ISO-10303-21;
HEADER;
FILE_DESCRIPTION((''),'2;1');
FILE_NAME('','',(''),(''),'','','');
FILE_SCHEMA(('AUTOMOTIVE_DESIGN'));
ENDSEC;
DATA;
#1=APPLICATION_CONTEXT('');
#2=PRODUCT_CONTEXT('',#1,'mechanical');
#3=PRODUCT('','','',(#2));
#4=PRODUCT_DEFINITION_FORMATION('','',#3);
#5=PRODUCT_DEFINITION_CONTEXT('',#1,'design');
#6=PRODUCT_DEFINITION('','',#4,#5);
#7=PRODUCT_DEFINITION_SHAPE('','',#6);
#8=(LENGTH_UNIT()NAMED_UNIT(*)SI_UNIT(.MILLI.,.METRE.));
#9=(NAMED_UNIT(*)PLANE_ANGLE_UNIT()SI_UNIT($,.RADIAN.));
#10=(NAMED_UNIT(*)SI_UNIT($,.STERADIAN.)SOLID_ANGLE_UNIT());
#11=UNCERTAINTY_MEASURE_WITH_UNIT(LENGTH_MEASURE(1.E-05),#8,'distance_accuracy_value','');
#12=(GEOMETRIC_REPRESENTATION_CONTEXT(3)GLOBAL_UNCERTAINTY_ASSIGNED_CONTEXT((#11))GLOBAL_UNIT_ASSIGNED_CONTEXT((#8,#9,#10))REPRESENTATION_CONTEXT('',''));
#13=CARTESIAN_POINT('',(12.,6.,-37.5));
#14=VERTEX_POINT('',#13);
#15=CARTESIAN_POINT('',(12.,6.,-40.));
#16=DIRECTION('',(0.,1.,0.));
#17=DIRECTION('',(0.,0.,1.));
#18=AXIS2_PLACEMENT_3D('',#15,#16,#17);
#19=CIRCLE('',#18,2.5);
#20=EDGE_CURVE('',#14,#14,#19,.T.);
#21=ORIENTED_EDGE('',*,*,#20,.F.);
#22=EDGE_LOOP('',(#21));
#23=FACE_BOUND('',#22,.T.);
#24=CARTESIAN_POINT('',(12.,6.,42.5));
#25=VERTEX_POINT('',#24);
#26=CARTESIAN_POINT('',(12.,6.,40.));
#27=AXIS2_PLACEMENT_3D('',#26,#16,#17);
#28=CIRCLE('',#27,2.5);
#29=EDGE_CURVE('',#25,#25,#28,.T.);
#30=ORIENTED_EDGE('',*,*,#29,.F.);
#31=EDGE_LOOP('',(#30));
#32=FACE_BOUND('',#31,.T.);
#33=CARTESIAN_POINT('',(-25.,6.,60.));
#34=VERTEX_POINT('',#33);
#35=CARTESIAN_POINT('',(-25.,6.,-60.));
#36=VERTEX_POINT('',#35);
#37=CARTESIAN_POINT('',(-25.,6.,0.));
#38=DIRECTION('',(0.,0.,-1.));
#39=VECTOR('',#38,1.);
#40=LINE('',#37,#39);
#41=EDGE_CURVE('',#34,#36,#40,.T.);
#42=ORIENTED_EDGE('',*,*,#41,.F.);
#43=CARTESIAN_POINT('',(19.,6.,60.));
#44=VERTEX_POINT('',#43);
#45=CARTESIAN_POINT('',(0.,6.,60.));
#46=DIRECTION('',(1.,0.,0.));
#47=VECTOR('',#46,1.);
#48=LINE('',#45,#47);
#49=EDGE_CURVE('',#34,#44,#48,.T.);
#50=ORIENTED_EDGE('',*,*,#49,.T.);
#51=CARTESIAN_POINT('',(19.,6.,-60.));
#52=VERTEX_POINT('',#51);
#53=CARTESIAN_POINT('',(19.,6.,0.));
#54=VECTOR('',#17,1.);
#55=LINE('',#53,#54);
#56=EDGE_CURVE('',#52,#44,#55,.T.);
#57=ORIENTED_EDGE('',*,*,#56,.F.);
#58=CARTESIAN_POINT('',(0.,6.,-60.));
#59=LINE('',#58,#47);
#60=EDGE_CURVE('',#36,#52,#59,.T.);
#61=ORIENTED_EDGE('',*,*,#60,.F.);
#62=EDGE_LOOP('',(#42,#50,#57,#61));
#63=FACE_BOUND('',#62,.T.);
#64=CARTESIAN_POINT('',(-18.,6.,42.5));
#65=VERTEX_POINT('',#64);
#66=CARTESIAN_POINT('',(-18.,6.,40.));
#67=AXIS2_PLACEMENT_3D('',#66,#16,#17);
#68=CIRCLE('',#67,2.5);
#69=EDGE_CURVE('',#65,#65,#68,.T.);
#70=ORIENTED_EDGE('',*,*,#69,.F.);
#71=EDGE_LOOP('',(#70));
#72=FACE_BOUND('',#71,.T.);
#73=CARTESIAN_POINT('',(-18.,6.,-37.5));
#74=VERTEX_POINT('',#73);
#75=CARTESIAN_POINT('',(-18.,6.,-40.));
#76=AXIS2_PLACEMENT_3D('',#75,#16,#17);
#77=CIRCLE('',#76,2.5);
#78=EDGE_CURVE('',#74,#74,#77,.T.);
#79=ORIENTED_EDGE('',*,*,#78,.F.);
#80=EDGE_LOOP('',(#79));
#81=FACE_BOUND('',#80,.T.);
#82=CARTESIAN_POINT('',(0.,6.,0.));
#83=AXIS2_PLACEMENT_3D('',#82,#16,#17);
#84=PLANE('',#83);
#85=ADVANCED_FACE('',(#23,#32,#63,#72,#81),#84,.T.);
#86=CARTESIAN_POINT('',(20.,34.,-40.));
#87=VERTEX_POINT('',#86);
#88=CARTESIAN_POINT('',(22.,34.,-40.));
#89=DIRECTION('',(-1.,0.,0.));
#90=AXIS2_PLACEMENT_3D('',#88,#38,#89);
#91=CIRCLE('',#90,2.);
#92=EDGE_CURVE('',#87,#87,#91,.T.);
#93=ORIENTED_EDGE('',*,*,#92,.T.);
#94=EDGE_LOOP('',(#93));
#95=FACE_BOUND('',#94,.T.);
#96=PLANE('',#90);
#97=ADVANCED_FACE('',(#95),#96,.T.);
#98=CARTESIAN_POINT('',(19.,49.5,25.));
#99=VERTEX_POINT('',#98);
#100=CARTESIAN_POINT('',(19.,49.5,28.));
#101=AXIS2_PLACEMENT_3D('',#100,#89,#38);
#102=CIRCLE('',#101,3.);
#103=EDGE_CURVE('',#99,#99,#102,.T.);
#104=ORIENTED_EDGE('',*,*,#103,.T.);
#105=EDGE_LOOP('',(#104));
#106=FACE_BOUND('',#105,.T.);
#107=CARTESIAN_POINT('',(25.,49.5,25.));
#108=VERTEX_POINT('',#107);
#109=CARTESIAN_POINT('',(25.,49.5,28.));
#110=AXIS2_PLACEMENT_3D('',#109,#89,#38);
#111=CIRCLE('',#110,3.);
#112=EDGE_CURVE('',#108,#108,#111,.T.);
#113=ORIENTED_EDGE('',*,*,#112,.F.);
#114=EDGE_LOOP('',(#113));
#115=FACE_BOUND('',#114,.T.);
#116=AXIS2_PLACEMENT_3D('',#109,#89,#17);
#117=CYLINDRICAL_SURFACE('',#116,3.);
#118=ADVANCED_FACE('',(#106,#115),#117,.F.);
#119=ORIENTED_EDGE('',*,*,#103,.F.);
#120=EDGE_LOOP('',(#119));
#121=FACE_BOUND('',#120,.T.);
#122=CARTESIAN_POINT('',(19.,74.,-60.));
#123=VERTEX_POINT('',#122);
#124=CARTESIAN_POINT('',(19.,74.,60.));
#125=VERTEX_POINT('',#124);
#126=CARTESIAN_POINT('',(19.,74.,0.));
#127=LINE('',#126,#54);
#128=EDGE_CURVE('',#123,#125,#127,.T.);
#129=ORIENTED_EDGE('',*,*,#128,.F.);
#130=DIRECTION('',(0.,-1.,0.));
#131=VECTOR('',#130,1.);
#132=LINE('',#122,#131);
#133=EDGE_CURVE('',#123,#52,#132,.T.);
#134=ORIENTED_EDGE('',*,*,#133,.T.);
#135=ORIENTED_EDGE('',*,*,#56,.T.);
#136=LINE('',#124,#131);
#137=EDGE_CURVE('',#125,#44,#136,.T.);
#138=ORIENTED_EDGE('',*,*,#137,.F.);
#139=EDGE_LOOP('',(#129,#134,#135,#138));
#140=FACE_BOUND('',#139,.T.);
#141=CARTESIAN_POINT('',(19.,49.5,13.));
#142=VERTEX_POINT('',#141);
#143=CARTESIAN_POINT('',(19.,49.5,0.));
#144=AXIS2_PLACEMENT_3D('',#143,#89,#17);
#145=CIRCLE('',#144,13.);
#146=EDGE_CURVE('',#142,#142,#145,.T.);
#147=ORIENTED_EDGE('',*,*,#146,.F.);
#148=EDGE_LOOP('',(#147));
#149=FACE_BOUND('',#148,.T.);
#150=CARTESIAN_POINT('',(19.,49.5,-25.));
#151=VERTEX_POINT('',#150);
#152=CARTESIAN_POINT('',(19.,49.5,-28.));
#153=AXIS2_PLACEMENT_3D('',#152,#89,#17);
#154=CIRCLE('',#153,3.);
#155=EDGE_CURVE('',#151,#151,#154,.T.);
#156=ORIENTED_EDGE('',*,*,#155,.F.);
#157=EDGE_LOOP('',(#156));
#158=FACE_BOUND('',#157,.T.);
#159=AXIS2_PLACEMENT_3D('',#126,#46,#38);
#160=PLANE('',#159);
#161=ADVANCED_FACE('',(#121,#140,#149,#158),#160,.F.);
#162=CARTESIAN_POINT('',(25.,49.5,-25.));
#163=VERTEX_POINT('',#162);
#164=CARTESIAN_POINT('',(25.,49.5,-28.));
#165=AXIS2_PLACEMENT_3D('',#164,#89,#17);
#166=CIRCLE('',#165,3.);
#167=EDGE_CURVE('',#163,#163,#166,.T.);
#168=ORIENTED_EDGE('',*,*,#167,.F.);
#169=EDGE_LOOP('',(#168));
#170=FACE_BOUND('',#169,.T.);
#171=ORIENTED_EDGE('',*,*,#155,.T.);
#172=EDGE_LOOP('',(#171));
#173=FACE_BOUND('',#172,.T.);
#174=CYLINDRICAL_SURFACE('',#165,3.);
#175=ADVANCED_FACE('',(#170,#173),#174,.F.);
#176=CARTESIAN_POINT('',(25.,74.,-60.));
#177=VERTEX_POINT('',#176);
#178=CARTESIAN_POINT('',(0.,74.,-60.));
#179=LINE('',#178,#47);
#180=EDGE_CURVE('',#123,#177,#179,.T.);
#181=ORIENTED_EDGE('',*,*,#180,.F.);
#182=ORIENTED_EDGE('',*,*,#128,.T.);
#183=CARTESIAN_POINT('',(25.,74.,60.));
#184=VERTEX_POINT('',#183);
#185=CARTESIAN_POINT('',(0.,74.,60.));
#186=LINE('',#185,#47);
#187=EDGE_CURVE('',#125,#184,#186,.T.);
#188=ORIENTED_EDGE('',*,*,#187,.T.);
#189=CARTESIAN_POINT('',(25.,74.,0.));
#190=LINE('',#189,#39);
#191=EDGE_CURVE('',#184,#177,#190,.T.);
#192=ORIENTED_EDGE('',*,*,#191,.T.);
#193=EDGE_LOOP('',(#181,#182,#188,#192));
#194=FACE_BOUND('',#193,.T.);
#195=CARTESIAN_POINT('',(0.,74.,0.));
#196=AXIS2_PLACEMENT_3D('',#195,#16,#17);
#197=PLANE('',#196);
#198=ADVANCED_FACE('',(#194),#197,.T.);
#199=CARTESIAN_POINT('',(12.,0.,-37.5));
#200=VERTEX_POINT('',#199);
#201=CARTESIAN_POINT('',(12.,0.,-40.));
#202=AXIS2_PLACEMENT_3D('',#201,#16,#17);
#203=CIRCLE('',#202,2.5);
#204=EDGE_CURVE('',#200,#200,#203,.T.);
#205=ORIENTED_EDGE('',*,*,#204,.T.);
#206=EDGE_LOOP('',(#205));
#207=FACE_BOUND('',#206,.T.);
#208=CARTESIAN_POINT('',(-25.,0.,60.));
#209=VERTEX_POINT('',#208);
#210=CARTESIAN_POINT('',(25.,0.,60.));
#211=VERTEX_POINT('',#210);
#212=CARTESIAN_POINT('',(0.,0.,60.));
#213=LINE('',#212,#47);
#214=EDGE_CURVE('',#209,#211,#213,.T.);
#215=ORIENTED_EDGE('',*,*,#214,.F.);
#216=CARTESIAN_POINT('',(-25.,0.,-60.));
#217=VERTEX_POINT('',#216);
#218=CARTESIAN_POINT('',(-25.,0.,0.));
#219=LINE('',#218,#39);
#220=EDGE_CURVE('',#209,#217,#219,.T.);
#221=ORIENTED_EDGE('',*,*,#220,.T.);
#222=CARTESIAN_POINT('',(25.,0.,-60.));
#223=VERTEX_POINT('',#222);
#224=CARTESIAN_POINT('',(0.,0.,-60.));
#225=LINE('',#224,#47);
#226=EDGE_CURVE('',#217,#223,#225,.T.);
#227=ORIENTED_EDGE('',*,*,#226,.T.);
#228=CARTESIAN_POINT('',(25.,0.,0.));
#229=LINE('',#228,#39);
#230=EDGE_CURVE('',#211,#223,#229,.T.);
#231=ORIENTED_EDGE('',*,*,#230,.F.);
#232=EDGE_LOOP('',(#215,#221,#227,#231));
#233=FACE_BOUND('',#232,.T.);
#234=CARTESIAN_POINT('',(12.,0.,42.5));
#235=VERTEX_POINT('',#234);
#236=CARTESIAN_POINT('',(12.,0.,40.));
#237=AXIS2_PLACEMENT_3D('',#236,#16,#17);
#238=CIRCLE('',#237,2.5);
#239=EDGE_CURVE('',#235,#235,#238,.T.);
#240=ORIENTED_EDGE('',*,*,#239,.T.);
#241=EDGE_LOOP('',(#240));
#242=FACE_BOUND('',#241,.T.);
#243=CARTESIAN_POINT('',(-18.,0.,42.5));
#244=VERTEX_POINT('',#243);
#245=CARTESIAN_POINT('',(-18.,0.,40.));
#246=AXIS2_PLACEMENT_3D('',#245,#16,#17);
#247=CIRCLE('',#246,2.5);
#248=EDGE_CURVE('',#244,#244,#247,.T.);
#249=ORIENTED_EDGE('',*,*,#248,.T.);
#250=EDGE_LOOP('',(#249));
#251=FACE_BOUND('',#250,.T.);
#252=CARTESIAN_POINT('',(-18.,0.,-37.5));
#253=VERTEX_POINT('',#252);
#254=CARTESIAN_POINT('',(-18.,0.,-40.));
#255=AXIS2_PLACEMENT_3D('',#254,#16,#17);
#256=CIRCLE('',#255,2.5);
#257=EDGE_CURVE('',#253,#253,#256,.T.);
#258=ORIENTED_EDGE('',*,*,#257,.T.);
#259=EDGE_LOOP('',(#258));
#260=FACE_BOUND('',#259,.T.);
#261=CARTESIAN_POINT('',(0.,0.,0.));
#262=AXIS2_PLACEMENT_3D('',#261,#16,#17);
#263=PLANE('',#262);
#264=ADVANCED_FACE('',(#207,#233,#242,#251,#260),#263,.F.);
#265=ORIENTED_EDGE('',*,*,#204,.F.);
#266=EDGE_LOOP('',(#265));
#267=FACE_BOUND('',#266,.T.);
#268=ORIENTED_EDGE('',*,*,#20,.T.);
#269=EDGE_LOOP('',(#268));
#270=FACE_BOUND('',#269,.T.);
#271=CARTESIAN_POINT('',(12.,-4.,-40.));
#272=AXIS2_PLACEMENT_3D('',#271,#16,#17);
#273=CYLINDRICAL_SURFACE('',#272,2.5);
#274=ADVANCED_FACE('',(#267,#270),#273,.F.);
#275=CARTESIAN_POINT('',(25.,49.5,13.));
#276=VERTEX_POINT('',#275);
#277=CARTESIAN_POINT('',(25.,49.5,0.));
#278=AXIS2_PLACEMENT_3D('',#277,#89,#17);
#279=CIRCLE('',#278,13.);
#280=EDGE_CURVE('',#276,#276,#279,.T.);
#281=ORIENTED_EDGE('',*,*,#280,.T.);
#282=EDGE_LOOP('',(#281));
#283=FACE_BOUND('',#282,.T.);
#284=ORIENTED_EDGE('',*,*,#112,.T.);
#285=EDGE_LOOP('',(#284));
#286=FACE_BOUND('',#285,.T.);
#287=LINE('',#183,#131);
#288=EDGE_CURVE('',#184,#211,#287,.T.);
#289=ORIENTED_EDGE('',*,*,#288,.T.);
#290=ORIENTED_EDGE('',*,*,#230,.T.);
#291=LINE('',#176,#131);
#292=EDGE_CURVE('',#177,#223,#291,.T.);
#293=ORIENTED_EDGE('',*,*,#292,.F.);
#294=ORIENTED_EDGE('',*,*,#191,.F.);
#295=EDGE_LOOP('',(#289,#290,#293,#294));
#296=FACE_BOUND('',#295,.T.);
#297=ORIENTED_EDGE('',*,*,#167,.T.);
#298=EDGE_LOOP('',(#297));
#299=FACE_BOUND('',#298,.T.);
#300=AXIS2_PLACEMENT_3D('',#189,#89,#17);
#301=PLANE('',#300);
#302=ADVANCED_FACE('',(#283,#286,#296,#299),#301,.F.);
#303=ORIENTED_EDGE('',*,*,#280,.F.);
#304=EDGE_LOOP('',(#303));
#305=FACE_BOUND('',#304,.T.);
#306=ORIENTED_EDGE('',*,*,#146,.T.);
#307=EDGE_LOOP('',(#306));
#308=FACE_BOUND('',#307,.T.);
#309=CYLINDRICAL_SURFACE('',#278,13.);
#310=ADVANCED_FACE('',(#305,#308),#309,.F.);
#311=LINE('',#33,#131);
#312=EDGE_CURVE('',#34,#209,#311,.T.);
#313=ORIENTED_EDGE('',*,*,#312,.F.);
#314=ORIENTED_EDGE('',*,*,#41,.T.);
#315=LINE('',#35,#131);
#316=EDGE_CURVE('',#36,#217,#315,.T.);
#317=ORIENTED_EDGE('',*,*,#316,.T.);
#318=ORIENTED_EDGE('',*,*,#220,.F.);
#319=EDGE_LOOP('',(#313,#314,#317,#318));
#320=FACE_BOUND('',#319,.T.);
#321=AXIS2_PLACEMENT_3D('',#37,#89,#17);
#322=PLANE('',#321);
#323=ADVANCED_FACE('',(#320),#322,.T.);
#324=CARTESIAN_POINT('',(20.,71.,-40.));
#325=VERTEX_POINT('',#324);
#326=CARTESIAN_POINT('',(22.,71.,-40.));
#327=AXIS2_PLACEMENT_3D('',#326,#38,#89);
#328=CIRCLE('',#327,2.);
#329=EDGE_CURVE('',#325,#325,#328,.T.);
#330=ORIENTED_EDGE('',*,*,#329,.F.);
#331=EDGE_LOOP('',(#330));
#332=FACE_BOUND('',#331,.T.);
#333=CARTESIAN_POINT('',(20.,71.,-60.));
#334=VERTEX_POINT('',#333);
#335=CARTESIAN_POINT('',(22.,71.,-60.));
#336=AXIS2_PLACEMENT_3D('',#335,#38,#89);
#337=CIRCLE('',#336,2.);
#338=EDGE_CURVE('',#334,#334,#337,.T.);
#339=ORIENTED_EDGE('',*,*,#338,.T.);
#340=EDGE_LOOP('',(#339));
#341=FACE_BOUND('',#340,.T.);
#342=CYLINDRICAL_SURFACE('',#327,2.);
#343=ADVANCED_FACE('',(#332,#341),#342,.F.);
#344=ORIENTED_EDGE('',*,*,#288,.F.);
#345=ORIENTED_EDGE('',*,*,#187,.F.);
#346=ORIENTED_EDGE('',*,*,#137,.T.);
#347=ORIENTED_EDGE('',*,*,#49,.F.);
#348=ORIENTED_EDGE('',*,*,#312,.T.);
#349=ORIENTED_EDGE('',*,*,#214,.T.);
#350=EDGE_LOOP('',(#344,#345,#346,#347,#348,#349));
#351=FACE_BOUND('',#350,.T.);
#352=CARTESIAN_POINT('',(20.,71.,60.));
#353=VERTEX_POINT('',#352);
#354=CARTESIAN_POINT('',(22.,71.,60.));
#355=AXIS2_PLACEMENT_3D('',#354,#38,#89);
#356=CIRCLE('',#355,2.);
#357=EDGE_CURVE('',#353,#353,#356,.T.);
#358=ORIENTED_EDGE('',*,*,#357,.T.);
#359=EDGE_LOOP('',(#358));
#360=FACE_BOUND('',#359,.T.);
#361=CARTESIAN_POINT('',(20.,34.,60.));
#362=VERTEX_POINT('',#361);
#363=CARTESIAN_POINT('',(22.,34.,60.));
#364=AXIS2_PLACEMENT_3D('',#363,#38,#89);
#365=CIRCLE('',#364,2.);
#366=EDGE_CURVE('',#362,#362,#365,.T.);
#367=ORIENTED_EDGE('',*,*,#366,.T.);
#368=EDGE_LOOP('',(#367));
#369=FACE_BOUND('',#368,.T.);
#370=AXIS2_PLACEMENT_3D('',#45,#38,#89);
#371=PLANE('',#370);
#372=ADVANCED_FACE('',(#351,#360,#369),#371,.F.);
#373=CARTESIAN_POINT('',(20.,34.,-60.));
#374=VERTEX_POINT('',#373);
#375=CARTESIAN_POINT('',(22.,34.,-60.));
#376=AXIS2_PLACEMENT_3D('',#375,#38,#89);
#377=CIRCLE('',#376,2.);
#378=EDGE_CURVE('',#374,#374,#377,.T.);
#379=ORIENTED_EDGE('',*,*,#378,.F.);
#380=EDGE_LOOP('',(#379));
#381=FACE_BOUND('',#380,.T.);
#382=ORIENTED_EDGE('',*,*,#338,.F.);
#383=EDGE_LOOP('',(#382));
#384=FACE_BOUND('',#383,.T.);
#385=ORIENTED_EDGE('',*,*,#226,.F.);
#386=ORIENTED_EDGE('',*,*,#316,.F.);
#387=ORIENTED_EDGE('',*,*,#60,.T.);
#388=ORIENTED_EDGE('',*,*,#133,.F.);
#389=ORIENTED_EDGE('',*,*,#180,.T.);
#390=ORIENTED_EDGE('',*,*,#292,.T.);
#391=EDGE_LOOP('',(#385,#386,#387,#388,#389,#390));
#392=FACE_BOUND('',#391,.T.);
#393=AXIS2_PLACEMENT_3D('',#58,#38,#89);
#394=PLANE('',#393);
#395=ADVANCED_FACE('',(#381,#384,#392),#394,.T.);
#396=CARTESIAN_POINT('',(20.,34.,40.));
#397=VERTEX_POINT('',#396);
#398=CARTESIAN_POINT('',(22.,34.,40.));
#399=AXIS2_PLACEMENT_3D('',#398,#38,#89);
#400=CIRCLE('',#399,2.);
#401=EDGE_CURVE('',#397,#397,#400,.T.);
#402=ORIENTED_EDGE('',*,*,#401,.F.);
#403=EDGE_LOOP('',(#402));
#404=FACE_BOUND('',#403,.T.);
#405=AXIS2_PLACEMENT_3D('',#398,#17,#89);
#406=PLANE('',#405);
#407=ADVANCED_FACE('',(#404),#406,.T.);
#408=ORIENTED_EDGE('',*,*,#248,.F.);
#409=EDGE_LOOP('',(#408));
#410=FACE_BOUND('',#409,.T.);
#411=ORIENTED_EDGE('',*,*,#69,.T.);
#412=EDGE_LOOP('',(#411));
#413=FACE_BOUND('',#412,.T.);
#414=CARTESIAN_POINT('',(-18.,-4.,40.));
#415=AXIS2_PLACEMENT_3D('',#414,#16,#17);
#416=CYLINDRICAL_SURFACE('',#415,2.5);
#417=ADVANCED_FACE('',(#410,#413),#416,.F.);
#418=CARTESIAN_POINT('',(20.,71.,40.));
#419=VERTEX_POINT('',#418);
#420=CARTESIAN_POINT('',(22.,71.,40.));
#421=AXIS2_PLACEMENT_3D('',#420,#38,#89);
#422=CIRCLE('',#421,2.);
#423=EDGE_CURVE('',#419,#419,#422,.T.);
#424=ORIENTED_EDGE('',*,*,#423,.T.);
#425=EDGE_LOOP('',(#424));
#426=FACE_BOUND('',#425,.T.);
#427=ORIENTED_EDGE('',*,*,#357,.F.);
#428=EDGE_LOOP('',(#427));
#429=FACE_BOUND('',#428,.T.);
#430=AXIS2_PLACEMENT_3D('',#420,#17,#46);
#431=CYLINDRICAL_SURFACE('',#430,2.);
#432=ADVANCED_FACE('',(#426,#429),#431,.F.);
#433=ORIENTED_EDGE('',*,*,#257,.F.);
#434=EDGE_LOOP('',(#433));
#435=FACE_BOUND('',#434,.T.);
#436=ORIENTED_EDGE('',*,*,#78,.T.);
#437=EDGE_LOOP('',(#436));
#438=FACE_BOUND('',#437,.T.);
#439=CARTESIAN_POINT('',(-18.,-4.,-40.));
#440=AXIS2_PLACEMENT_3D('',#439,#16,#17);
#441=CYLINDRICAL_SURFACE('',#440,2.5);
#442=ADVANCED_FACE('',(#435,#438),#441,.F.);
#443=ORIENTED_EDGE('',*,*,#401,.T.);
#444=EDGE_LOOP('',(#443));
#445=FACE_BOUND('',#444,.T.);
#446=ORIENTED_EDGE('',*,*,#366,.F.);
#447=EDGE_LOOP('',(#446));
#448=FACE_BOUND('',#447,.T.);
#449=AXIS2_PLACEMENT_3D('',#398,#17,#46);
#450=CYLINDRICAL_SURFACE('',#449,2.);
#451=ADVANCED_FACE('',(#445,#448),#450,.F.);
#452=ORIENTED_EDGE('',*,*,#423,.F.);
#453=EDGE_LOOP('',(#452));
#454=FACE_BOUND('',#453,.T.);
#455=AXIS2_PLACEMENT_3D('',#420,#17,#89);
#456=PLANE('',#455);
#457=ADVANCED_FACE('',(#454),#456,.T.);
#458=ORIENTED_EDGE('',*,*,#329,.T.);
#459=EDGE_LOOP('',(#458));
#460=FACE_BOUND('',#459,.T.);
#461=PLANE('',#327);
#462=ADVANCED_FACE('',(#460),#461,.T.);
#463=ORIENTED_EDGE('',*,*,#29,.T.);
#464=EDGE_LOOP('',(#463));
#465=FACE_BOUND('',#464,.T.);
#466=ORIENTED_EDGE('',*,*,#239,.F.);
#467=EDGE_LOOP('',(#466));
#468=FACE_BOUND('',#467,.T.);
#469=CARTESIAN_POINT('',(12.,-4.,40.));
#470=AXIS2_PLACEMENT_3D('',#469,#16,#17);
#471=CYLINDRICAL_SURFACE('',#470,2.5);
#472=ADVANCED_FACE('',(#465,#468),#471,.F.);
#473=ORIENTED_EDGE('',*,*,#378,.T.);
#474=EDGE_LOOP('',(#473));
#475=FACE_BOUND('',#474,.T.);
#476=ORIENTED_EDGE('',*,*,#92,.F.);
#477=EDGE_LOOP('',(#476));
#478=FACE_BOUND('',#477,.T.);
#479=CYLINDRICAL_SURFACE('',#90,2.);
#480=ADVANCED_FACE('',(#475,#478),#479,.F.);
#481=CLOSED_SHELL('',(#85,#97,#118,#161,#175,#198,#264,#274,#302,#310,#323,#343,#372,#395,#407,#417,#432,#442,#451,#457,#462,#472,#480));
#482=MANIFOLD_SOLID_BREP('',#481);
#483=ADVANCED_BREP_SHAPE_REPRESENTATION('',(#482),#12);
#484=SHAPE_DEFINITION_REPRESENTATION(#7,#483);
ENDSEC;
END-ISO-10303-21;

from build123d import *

# Parameters (mm, degrees)
SKETCH_1_W          = 44
SKETCH_1_H          = 120
EXTRUDE_1_DEPTH     = 6
SKETCH_1_3_W        = 6
SKETCH_1_3_H        = 120
EXTRUDE_2_DEPTH     = 74
SKETCH_2_R          = 13
SKETCH_2_R_2        = 3
CUT_EXTRUDE_1_DEPTH = 7
SKETCH_3_R          = 2.5
CUT_EXTRUDE_2_DEPTH = 10
SKETCH_4_R          = 2
CUT_EXTRUDE_3_DEPTH = 20


with BuildPart() as part:
    # 草图1 → 凸台-拉伸1 (new body)
    with BuildSketch(Plane(origin=(0, 0, 0), x_dir=(1, 0, 0), z_dir=(0, 1, 0))):
        with Locations((-3, 0)):
            Rectangle(SKETCH_1_W, SKETCH_1_H)
    extrude(amount=EXTRUDE_1_DEPTH)

    # 草图1<3> → 凸台-拉伸2 (add)
    with BuildSketch(Plane(origin=(0, 0, 0), x_dir=(1, 0, 0), z_dir=(0, 1, 0))):
        with Locations((22, 0)):
            Rectangle(SKETCH_1_3_W, SKETCH_1_3_H)
    extrude(amount=EXTRUDE_2_DEPTH)

    # 草图2 → 切除-拉伸1 (cut, through all)
    with BuildSketch(Plane.ZY.offset(-19)):
        with Locations((0, 49.5)):
            Circle(SKETCH_2_R)
        with Locations((-28, 49.5)):
            Circle(SKETCH_2_R_2)
        with Locations((28, 49.5)):
            Circle(SKETCH_2_R_2)
    extrude(amount=-CUT_EXTRUDE_1_DEPTH, mode=Mode.SUBTRACT)

    # 草图3 → 切除-拉伸2 (cut)
    with BuildSketch(Plane(origin=(0, 6, 0), x_dir=(1, 0, 0), z_dir=(0, 1, 0))):
        with Locations((-18, 40)):
            Circle(SKETCH_3_R)
        with Locations((12, 40)):
            Circle(SKETCH_3_R)
        with Locations((-18, -40)):
            Circle(SKETCH_3_R)
        with Locations((12, -40)):
            Circle(SKETCH_3_R)
    extrude(amount=-CUT_EXTRUDE_2_DEPTH, mode=Mode.SUBTRACT)

    # 草图4 → 切除-拉伸3 (cut)
    with BuildSketch(Plane(origin=(0, 0, -60), x_dir=(-1, 0, 0), z_dir=(0, 0, -1))):
        with Locations((-22, 34)):
            Circle(SKETCH_4_R)
        with Locations((-22, 71)):
            Circle(SKETCH_4_R)
    cut_extrude_3 = extrude(amount=-CUT_EXTRUDE_3_DEPTH, mode=Mode.SUBTRACT)

    # 镜向1: 切除-拉伸3 across plane
    add(cut_extrude_3.mirror(Plane(origin=(0, 0, 0), x_dir=(1, 0, 0), z_dir=(0, 0, -1))), mode=Mode.SUBTRACT)


solid = part.part
